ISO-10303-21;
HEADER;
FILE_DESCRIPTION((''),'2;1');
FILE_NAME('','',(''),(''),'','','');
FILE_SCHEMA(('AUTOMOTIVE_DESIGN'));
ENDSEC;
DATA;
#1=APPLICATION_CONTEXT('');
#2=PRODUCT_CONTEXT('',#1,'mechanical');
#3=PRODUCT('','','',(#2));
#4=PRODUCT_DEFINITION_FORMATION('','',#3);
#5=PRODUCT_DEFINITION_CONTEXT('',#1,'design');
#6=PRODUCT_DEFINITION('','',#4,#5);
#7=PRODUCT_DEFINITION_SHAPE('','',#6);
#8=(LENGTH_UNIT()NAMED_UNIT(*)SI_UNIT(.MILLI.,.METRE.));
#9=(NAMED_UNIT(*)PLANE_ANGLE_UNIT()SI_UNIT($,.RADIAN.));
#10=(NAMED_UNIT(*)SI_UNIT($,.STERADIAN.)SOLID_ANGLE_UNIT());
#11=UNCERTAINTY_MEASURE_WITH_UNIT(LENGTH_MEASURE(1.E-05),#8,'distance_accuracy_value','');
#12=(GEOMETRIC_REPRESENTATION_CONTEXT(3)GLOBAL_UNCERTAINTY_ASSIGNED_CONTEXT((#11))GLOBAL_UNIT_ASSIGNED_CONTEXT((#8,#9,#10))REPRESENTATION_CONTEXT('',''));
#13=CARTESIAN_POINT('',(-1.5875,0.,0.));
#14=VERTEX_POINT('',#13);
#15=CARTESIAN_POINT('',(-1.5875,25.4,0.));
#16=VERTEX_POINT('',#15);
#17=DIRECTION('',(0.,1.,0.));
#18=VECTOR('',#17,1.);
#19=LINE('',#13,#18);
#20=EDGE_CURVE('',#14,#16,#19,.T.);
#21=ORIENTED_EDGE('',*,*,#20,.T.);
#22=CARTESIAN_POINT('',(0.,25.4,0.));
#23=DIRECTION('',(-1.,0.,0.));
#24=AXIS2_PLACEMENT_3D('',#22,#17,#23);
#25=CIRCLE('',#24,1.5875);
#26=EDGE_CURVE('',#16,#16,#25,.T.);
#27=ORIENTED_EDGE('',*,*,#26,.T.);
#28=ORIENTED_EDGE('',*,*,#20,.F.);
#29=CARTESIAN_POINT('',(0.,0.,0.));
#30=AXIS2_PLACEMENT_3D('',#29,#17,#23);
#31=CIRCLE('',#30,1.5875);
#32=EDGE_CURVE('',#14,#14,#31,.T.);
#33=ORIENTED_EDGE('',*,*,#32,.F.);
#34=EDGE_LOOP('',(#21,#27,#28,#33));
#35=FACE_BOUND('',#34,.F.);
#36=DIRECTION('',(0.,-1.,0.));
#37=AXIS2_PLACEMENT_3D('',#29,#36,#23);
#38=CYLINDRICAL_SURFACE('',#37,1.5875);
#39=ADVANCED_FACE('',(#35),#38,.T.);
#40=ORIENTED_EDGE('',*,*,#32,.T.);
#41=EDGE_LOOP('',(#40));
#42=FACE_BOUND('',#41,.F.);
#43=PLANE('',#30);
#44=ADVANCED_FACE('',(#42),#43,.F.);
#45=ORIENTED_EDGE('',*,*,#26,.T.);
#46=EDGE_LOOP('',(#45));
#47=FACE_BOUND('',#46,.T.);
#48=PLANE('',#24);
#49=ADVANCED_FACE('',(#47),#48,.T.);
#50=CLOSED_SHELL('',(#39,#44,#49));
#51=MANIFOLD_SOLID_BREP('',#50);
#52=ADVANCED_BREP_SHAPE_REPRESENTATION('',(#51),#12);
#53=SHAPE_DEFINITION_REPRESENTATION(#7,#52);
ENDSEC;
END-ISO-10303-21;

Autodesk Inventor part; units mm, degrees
ref_plane "YZ Plane" through (0, 0, 0) normal (1, 0, 0) x (0, 1, 0)
ref_plane "XZ Plane" through (0, 0, 0) normal (0, 1, 0) x (-1, 0, 0)
ref_plane "XY Plane" through (0, 0, 0) normal (0, 0, 1) x (1, 0, 0)
sketch "Sketch1" plane through (0, 0, 0) normal (0, 1, 0) x (-1, 0, 0)
  circle A0 centre (0, 0) radius 1.5875
  dimension "d0" = 3.175
extrude "Extrusion1" add sketch "Sketch1" along normal blind 25.4
properties part number "0.125 in shaft (0.5 in)"
